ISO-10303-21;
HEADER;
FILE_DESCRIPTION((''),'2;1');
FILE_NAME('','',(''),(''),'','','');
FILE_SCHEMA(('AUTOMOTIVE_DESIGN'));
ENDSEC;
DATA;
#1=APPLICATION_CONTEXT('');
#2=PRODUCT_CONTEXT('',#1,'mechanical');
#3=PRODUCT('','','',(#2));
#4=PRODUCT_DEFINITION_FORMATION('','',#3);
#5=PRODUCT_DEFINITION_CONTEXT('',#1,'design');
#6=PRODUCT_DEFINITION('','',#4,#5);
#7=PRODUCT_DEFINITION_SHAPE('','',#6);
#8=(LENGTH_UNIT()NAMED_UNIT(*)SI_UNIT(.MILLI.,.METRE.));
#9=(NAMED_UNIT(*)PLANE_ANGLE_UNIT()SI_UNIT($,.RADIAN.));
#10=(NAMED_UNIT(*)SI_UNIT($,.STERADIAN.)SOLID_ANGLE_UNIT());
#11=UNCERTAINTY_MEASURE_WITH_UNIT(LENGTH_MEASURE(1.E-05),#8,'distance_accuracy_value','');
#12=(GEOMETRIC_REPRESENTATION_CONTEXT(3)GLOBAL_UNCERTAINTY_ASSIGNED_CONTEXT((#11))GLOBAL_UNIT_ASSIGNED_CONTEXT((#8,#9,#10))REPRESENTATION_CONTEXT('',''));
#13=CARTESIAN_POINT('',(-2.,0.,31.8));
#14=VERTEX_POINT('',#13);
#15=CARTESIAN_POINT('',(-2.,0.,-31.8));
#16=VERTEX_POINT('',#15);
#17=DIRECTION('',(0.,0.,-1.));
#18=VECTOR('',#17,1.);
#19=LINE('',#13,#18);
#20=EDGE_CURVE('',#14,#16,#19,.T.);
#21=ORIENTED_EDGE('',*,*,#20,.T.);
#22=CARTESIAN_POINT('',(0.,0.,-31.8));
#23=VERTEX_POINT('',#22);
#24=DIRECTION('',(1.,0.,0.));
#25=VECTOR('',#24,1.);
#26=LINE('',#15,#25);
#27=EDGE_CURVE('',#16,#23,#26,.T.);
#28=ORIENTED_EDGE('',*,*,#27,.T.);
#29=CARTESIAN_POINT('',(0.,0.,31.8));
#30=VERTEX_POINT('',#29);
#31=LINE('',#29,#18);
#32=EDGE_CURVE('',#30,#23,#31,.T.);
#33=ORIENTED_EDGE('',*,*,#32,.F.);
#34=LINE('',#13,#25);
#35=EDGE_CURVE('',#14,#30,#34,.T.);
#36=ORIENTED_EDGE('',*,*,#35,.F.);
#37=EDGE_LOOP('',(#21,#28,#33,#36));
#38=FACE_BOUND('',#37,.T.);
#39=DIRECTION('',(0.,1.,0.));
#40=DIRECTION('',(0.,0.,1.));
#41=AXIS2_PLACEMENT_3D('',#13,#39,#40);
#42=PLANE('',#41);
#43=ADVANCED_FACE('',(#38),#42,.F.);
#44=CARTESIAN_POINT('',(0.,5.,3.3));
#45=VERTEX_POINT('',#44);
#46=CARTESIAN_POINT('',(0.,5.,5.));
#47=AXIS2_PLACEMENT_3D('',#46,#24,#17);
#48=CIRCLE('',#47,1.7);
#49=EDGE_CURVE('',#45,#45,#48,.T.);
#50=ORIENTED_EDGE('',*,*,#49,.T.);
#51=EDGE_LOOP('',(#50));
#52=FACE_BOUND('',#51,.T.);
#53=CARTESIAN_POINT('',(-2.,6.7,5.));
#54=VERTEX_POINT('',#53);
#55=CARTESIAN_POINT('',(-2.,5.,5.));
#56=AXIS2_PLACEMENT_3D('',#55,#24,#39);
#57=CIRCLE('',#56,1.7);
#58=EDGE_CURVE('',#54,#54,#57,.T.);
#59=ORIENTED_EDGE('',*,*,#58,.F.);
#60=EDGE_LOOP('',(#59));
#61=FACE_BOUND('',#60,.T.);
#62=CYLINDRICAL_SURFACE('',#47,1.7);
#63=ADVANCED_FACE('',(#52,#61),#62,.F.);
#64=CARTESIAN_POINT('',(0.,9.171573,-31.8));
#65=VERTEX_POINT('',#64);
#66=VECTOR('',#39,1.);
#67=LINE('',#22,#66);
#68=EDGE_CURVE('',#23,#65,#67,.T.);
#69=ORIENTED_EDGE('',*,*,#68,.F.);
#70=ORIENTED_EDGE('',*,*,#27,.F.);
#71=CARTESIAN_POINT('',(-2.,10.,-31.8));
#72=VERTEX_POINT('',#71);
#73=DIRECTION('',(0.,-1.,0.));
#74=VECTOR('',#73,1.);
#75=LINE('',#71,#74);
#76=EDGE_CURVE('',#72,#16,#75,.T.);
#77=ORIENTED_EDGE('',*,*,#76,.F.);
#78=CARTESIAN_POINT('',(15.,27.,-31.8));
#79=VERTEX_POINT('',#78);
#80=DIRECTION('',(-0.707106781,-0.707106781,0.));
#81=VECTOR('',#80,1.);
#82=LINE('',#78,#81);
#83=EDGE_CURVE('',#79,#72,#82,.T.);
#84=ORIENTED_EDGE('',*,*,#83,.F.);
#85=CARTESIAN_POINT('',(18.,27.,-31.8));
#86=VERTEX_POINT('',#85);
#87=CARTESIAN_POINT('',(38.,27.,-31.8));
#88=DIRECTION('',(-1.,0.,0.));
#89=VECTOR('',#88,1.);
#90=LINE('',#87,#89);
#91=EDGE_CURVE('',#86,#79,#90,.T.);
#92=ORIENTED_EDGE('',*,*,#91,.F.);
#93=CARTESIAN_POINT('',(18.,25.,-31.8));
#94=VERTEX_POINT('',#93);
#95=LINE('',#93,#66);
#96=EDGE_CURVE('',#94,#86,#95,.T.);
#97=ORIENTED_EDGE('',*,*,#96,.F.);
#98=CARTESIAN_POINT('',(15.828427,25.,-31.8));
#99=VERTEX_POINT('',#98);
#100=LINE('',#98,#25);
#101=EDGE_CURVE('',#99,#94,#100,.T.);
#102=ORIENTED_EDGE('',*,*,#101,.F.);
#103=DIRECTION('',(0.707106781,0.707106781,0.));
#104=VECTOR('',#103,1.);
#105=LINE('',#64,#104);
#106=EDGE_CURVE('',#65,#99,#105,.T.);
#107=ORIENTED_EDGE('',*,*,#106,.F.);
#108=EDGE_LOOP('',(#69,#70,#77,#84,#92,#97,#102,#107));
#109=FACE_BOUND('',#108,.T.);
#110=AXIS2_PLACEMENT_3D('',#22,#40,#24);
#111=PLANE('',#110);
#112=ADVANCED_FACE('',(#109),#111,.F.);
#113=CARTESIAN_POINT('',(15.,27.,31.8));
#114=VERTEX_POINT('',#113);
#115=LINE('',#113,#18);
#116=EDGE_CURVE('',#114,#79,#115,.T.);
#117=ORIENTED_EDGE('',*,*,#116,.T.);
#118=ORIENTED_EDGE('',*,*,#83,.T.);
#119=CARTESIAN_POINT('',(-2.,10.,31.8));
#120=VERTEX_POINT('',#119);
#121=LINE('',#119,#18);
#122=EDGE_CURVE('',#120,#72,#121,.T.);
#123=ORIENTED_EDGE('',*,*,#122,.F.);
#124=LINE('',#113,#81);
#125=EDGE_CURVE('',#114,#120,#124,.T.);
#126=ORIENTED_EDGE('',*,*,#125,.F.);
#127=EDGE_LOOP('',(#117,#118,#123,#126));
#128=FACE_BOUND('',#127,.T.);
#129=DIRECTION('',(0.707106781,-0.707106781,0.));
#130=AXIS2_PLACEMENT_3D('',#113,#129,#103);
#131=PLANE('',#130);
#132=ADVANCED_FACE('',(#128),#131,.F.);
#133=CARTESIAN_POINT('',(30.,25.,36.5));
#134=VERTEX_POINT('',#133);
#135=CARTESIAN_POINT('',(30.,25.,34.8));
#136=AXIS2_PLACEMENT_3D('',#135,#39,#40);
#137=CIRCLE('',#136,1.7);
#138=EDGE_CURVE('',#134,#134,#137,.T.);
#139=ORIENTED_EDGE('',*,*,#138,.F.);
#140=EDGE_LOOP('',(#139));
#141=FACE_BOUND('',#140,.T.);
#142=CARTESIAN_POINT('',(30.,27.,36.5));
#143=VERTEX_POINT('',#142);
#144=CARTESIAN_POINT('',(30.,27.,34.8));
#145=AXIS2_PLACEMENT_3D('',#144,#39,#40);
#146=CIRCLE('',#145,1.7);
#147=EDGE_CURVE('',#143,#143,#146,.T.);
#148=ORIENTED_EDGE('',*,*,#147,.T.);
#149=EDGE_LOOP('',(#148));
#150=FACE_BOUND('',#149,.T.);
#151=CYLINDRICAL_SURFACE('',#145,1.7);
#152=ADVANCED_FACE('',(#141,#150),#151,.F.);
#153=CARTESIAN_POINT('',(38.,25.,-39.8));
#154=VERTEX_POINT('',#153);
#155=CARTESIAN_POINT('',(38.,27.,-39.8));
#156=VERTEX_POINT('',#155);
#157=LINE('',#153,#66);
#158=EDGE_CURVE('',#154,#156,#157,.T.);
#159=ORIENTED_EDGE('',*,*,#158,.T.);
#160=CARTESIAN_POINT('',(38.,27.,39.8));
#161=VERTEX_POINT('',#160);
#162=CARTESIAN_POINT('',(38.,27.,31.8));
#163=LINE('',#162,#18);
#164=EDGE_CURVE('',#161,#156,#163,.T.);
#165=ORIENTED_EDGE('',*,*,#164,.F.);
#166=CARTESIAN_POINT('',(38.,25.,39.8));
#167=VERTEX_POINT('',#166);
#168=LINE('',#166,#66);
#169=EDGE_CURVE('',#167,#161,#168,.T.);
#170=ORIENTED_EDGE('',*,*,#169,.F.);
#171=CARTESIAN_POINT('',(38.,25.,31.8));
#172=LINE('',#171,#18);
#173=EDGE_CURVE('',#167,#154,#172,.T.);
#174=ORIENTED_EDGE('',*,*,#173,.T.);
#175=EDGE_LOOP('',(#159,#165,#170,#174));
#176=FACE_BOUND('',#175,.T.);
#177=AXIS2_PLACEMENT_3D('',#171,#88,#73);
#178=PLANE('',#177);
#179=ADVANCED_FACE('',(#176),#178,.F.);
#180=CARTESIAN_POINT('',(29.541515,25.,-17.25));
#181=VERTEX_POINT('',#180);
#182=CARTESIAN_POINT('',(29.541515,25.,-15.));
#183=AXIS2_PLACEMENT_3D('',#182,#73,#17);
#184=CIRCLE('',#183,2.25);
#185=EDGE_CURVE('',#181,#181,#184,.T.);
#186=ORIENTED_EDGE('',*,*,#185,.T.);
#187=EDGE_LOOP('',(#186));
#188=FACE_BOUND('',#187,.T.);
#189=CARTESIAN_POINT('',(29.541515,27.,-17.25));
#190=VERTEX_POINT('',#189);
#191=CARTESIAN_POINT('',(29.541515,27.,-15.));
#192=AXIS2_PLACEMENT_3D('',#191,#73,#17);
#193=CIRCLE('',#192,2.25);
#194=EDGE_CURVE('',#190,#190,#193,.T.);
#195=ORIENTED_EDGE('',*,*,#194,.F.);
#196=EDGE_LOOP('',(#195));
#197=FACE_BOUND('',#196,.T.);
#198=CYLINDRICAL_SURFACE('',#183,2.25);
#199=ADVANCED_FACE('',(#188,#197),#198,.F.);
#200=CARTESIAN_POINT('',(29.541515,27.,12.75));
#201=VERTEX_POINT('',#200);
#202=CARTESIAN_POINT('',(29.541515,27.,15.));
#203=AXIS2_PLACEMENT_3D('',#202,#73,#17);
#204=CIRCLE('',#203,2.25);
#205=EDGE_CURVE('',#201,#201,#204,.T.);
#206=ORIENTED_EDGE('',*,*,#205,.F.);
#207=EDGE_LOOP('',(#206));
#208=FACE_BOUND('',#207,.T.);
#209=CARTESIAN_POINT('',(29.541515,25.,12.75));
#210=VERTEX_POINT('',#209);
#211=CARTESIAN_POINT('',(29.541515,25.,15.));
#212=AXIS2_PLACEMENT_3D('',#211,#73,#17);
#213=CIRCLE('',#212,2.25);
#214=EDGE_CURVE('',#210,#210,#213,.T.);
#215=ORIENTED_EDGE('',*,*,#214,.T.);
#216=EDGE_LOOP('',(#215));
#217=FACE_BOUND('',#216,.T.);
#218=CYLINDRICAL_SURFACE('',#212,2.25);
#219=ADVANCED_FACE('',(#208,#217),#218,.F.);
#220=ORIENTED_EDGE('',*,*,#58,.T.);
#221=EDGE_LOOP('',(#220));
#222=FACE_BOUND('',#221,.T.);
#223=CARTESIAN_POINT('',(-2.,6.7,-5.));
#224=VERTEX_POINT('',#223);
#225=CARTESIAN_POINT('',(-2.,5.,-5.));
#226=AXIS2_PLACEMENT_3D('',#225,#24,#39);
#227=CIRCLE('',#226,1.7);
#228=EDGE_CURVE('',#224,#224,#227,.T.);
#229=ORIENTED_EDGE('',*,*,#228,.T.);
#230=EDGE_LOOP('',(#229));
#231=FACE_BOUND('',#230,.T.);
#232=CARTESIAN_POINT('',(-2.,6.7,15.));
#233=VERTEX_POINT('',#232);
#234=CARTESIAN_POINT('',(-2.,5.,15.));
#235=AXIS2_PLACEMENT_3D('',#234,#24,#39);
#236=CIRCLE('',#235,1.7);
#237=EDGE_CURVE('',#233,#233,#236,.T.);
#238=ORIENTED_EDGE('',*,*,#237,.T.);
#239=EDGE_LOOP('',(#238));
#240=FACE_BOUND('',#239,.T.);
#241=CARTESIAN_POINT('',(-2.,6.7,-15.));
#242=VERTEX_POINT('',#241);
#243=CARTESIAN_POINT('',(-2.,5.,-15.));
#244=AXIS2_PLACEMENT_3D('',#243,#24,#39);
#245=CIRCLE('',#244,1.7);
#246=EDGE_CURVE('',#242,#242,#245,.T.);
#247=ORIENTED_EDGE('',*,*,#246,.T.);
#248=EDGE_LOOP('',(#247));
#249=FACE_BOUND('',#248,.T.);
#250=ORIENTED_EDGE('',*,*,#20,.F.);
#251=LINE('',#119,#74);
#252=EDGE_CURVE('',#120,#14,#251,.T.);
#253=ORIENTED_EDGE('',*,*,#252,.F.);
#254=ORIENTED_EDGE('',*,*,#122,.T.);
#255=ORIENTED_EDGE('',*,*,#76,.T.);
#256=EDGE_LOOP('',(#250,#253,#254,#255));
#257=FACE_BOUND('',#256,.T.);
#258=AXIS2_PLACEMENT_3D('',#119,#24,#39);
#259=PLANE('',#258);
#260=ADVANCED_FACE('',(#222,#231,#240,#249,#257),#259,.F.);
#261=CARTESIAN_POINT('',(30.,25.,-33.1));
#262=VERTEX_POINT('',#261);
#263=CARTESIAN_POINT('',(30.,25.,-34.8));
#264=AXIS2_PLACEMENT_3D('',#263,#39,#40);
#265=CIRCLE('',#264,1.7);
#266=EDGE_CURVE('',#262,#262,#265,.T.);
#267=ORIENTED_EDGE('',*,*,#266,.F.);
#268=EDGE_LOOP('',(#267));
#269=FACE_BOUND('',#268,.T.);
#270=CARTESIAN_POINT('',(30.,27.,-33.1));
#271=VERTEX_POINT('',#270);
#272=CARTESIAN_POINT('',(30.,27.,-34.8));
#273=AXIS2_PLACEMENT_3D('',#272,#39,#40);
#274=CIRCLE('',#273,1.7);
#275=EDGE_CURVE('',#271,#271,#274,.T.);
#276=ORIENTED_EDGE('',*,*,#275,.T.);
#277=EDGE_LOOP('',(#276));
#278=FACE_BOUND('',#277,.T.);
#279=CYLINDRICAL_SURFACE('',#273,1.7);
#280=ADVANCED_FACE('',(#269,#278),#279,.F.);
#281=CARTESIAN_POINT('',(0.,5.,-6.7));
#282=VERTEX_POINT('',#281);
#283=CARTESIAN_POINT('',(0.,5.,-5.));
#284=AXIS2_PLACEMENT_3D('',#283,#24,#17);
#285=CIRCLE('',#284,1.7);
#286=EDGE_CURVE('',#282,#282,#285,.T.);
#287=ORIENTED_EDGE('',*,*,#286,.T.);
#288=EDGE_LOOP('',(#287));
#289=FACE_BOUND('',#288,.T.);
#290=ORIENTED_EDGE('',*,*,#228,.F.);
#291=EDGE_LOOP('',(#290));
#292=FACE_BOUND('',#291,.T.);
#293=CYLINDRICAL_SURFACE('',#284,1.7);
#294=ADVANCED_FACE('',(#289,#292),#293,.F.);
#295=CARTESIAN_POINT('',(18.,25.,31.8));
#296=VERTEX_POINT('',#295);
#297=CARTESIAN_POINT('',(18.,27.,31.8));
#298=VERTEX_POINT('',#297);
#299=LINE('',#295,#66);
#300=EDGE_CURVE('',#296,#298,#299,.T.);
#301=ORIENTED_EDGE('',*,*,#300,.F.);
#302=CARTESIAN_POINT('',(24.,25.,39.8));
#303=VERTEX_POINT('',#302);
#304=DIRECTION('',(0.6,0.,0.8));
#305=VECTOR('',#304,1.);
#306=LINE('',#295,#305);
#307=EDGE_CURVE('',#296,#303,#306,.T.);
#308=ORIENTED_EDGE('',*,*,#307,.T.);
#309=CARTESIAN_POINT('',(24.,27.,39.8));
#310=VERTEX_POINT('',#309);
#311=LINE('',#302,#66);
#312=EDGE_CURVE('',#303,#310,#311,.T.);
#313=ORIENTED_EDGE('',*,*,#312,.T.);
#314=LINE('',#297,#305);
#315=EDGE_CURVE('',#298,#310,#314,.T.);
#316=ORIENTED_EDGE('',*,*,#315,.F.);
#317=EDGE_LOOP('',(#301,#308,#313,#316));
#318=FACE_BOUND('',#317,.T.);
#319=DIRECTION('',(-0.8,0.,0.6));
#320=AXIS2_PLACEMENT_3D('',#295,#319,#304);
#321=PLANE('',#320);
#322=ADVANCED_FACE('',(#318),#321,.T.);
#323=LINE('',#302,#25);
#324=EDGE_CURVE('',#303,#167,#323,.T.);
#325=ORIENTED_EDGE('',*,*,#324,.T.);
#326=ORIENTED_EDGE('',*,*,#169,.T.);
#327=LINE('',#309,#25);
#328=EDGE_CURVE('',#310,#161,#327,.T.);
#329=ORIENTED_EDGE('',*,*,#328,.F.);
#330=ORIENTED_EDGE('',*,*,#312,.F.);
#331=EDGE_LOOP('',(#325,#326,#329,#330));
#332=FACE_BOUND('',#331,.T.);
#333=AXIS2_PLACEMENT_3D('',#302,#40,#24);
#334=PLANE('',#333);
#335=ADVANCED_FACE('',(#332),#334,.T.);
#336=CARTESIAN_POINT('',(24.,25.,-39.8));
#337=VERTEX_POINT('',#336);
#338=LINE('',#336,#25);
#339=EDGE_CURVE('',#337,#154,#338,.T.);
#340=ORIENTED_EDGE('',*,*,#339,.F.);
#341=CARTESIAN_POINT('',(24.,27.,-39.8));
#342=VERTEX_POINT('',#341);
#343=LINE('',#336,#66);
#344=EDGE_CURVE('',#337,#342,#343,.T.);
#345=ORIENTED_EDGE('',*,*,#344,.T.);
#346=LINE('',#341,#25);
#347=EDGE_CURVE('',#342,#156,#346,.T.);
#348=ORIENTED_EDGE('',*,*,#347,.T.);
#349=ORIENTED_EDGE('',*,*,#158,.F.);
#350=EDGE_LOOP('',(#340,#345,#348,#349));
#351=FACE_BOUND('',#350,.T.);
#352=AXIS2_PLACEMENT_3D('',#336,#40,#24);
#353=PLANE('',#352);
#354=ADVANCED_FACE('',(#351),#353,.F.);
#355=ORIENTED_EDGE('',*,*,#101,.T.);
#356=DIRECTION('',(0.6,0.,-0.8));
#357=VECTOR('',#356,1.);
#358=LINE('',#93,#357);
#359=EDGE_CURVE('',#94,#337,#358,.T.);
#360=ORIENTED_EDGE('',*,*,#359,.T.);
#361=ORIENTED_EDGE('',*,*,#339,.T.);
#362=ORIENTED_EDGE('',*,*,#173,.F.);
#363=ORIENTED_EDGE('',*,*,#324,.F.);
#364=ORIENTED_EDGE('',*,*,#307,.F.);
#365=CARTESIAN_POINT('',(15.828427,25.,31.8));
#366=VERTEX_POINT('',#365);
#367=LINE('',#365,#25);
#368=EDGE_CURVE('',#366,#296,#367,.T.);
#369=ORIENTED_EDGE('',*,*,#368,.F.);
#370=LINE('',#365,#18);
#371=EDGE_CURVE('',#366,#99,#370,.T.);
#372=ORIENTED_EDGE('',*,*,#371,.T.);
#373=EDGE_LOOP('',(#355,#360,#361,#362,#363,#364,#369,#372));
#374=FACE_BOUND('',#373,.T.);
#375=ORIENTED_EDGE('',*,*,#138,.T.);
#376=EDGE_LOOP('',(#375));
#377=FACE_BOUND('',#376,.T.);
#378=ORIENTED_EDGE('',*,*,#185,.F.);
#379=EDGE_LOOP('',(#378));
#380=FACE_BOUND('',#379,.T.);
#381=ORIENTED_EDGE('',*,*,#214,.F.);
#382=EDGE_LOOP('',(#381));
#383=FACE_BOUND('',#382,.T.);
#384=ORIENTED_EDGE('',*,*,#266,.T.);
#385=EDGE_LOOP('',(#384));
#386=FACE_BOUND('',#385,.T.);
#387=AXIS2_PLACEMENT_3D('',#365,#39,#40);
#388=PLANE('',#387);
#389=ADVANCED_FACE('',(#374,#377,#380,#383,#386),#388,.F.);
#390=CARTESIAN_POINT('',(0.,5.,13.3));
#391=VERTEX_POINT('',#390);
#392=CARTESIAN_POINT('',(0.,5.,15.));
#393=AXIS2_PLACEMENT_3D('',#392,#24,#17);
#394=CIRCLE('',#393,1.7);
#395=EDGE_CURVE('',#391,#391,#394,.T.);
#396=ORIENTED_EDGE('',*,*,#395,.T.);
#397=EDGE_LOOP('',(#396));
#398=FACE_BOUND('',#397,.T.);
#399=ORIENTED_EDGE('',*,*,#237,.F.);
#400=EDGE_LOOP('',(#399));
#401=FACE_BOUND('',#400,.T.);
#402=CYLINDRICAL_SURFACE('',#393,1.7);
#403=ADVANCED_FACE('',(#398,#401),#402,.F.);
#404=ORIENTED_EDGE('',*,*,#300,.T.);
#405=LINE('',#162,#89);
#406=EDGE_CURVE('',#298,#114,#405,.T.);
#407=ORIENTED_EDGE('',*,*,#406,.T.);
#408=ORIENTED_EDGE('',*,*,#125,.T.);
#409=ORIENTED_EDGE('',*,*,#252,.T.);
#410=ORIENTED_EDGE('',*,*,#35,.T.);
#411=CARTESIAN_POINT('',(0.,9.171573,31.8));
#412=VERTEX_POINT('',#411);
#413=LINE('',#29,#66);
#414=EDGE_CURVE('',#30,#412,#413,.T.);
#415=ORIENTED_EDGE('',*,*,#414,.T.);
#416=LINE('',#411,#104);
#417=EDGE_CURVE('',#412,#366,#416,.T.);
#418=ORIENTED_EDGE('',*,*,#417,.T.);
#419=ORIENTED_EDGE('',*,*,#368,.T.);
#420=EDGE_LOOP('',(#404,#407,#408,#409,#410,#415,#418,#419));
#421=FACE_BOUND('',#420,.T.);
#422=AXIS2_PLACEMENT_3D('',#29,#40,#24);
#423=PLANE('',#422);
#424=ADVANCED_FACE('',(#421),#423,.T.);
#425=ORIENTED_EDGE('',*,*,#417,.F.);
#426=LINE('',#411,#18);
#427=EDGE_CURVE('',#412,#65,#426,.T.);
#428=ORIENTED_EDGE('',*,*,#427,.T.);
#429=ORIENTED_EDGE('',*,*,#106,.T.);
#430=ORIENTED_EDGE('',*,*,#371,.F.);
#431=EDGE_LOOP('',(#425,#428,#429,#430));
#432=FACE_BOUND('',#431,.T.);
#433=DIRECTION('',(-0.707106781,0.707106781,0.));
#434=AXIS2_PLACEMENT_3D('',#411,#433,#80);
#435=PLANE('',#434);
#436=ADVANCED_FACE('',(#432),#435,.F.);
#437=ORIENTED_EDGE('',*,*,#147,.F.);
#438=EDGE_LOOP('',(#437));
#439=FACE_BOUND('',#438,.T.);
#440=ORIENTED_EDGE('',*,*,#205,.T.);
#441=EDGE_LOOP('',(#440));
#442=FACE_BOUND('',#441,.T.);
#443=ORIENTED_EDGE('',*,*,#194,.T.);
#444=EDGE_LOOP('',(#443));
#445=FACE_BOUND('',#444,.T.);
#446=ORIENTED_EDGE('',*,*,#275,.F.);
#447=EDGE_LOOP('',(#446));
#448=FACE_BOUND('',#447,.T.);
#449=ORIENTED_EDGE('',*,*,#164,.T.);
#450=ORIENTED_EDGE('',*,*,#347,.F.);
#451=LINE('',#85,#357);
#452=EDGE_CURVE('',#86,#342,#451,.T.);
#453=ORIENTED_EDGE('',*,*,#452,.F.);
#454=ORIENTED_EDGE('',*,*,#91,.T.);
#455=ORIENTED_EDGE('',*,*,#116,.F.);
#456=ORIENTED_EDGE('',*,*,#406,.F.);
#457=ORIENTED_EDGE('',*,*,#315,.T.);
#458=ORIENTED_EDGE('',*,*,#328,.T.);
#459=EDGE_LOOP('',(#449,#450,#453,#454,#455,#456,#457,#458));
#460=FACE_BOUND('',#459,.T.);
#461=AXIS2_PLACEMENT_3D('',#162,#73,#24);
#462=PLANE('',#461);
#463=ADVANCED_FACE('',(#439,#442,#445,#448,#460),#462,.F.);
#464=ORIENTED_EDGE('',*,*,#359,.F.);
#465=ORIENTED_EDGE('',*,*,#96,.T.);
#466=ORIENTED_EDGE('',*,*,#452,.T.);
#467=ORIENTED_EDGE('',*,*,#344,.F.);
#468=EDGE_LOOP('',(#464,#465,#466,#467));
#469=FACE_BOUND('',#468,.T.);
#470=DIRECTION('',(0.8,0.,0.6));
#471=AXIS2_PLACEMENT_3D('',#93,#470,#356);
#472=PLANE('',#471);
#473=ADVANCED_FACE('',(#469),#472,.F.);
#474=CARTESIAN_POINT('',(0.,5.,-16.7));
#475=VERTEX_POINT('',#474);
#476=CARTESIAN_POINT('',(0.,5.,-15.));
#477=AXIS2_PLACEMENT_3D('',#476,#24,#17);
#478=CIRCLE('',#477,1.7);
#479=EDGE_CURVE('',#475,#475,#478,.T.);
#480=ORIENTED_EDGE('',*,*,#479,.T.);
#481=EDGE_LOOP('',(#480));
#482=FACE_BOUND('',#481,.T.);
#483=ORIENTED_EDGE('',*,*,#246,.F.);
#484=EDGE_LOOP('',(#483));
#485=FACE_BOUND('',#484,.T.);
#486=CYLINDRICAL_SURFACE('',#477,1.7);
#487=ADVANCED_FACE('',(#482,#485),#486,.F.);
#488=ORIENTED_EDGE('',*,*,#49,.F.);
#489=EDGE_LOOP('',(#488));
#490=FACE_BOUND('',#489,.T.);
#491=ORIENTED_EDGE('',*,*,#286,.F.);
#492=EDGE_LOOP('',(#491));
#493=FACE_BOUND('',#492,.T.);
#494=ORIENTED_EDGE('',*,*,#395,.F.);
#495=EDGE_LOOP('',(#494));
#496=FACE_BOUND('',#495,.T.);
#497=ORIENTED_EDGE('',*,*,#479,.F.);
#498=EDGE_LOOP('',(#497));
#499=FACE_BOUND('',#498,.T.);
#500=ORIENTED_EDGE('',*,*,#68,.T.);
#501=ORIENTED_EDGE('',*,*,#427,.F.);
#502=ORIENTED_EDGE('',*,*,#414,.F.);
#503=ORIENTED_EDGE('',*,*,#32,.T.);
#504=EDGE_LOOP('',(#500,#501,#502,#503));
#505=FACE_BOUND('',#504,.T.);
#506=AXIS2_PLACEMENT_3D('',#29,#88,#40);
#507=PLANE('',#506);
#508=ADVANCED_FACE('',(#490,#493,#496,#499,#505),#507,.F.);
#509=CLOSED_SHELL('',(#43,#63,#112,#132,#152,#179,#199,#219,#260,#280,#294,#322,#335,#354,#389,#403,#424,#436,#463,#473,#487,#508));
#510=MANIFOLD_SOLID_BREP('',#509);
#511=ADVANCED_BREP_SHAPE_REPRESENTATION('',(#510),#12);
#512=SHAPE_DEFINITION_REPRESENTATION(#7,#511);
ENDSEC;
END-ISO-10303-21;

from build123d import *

# Parameters (mm, degrees)
BOSS_EXTRUDE1_DEPTH      = 31.8
M3_CLEARANCE_HOLE1_D     = 3.4
M3_CLEARANCE_HOLE1_DEPTH = 5
M3_CLEARANCE_HOLE1_TIP   = 1.021463052
BOSS_EXTRUDE2_DEPTH      = 2
M3_CLEARANCE_HOLE2_D     = 3.4
M3_CLEARANCE_HOLE2_DEPTH = 5
M3_CLEARANCE_HOLE2_TIP   = 1.021463052
M4_CLEARANCE_HOLE1_D     = 4.5


with BuildPart() as part:
    # Sketch1 → Boss-Extrude1 (new body, symmetric)
    with BuildSketch(Plane.XY):
        Polygon((0, 0), (0, 9.171572875), (15.828427125, 25), (38, 25), (38, 27), (15, 27), (-2, 10), (-2, 0), align=None)
    extrude(amount=BOSS_EXTRUDE1_DEPTH, both=True)

    # M3 Clearance Hole1
    with Locations(Plane(origin=(0, 0, 0), x_dir=(0, 0, -1), z_dir=(1, 0, 0))):
        with Locations((5, 5), (-5, 5), (-15, 5), (15, 5)):
            Hole(M3_CLEARANCE_HOLE1_D / 2, depth=M3_CLEARANCE_HOLE1_DEPTH)
            with Locations((0, 0, -(M3_CLEARANCE_HOLE1_DEPTH + M3_CLEARANCE_HOLE1_TIP / 2))):  # 118° drill point
                Cone(0, M3_CLEARANCE_HOLE1_D / 2, M3_CLEARANCE_HOLE1_TIP, mode=Mode.SUBTRACT)

    # Sketch4 → Boss-Extrude2 (add)
    with BuildSketch(Plane(origin=(0, 27, 0), x_dir=(1, 0, 0), z_dir=(0, 1, 0))):
        Polygon((18, -31.8), (24, -39.8), (38, -39.8), (38, -31.8), align=None)
    boss_extrude2 = extrude(amount=-BOSS_EXTRUDE2_DEPTH)

    # Mirror1: Boss-Extrude2 across plane
    add(boss_extrude2.mirror(Plane.XY))

    # M3 Clearance Hole2
    with Locations(Plane(origin=(0, 27, 0), x_dir=(1, 0, 0), z_dir=(0, 1, 0))):
        with Locations((30, 34.8), (30, -34.8)):
            Hole(M3_CLEARANCE_HOLE2_D / 2, depth=M3_CLEARANCE_HOLE2_DEPTH)
            with Locations((0, 0, -(M3_CLEARANCE_HOLE2_DEPTH + M3_CLEARANCE_HOLE2_TIP / 2))):  # 118° drill point
                Cone(0, M3_CLEARANCE_HOLE2_D / 2, M3_CLEARANCE_HOLE2_TIP, mode=Mode.SUBTRACT)

    # M4 Clearance Hole1 (through all)
    with Locations(Plane(origin=(0, 25, 0), x_dir=(-1, 0, 0), z_dir=(0, -1, 0))):
        with Locations((-29.541515225, 15), (-29.541515225, -15)):
            Hole(M4_CLEARANCE_HOLE1_D / 2)


solid = part.part
